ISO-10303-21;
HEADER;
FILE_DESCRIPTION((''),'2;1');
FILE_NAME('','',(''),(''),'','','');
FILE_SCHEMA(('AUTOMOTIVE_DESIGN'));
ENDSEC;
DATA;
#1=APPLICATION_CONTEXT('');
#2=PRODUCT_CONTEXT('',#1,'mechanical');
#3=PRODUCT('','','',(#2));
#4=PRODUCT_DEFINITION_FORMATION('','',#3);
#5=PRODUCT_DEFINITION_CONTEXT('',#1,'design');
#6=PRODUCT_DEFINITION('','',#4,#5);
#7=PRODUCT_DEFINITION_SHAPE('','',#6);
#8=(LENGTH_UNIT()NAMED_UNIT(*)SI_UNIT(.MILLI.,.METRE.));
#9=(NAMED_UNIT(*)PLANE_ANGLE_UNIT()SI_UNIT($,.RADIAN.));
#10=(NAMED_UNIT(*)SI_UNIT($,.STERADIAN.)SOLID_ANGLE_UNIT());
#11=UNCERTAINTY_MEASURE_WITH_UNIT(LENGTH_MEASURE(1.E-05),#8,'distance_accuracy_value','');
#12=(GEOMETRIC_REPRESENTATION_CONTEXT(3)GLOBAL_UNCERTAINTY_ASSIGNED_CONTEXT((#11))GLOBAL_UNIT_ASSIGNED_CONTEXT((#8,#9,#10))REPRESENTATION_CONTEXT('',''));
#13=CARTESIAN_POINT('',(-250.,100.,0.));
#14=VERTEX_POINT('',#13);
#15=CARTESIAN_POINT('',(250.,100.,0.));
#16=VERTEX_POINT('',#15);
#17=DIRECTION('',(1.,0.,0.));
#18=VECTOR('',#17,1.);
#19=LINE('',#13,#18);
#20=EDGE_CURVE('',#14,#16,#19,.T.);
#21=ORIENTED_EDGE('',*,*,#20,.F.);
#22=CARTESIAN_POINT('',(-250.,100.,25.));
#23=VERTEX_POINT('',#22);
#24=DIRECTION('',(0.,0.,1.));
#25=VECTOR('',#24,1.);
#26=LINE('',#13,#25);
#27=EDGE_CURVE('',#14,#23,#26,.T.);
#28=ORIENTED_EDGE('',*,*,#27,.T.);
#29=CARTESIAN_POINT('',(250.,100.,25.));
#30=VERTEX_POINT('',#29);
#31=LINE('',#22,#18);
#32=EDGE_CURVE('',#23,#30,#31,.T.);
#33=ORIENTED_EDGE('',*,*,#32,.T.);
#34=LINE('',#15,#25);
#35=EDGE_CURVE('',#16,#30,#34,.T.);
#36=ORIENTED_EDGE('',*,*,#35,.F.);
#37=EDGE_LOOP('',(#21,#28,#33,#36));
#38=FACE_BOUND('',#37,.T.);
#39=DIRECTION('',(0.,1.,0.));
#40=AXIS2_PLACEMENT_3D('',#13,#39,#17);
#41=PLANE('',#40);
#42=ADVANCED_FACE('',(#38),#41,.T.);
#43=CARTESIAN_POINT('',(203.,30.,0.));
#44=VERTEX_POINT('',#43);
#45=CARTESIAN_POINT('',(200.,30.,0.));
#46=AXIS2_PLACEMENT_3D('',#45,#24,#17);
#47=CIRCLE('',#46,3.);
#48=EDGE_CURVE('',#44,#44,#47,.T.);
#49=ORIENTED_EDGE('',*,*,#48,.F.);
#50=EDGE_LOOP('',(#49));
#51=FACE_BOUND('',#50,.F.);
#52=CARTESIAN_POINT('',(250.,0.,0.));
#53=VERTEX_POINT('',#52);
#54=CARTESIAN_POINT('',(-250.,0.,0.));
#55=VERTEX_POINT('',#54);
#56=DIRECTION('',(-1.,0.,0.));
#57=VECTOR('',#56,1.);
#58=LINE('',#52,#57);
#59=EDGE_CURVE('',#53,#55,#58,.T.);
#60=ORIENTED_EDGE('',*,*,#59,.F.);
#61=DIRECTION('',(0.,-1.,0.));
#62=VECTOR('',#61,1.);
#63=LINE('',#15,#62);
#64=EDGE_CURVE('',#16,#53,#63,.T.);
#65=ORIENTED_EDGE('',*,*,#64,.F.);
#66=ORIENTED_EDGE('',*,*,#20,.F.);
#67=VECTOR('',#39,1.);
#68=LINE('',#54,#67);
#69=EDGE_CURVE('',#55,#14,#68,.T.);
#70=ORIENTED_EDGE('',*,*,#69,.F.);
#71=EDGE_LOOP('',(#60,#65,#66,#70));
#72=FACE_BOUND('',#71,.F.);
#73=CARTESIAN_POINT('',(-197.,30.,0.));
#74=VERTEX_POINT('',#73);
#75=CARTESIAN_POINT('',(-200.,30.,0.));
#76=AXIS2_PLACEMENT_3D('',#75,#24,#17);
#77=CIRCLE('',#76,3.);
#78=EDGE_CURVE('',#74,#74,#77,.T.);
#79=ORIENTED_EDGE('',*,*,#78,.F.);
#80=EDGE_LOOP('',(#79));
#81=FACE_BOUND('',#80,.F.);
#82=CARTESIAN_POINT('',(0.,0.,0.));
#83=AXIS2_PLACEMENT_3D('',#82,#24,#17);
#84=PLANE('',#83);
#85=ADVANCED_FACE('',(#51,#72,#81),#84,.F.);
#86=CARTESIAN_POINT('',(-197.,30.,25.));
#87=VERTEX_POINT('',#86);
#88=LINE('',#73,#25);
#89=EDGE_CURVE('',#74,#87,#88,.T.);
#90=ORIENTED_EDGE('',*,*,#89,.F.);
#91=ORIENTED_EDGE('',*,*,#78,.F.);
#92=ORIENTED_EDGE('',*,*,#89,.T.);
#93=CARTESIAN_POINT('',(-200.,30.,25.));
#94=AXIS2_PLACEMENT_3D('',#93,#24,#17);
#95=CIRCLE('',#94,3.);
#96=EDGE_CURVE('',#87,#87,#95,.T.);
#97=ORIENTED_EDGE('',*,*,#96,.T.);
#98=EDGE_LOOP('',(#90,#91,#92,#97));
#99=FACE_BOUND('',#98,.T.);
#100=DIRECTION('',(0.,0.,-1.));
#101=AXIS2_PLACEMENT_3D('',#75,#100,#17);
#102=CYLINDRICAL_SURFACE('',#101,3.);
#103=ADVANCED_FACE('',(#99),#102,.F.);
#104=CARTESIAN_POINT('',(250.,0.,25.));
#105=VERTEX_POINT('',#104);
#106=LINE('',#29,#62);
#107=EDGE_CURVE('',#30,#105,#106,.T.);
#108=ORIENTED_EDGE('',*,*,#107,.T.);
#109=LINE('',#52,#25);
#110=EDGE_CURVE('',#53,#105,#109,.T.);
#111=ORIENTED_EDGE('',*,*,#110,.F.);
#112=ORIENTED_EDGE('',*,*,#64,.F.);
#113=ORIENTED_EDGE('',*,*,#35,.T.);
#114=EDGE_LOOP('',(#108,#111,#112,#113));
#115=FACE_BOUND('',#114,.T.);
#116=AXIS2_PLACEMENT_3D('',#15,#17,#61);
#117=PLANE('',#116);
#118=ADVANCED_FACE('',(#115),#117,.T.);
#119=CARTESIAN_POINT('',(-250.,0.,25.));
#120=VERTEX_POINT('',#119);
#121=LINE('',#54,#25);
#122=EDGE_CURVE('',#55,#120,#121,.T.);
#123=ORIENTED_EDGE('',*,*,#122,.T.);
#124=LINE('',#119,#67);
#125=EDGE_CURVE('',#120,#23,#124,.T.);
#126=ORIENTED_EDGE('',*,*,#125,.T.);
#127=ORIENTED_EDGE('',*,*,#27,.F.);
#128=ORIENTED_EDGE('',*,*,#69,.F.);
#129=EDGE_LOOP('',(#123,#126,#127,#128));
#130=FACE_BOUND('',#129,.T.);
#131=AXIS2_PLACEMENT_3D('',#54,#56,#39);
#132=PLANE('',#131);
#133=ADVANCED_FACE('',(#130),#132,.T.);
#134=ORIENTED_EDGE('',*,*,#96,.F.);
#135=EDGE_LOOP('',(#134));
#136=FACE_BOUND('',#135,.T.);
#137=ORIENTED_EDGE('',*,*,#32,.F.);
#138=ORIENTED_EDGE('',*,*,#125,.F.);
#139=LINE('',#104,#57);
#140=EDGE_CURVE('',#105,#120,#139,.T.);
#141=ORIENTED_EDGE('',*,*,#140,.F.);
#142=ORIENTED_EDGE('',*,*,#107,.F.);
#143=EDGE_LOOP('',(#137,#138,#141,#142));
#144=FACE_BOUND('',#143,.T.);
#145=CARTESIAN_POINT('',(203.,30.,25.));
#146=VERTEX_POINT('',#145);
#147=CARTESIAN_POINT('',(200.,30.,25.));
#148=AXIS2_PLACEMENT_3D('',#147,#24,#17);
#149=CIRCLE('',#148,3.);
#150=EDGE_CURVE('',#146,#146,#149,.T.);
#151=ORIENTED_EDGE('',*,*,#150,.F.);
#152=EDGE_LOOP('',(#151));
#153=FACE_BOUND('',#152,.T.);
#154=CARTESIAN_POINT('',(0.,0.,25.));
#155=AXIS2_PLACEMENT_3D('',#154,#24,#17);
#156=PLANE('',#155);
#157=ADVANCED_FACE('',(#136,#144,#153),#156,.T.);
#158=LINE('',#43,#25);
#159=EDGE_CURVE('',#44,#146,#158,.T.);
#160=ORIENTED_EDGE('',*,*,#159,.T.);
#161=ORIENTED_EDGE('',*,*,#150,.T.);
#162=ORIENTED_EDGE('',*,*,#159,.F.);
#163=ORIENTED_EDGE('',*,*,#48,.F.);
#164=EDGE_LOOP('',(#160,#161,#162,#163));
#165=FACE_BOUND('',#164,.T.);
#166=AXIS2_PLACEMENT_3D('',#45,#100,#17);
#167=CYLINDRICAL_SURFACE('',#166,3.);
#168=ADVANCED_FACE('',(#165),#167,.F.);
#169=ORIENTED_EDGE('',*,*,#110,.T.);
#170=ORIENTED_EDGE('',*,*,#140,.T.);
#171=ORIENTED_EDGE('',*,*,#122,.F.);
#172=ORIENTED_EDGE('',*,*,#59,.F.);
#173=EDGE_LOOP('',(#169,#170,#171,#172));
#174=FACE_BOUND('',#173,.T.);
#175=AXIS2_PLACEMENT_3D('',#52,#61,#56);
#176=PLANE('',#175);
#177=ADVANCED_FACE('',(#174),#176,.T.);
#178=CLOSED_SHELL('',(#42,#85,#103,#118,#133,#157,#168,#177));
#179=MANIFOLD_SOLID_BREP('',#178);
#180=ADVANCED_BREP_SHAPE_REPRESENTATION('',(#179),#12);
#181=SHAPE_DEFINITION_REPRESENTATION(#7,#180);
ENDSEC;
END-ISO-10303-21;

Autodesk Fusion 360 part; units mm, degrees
sketch "Sketch2" plane through (0, 0, 0) normal (0, 0, 1) x (1, 0, 0)
  line L0 (-250, 100) -> (250, 100)
  line L1 (250, 100) -> (250, 0)
  line L2 (250, 0) -> (-250, 0)
  line L3 (-250, 0) -> (-250, 100)
  line L4 (0, 0) -> (0, 100) construction
  line L5 (50, 100) -> (50, 0) construction
  line L6 (-50, 100) -> (-50, 0) construction
  line L7 (115, 100) -> (115, 0) construction
  line L8 (165, 100) -> (165, 0) construction
  line L9 (-115, 100) -> (-115, 0) construction
  line L10 (-165, 100) -> (-165, 0) construction
  line L11 (200, 100) -> (200, 0) construction
  line L12 (-200, 100) -> (-200, 0) construction
  circle A0 centre (200, 30) radius 3
  circle A1 centre (-200, 30) radius 3
  dimension "d6" = 500
  dimension "d7" = 100
  dimension "d8" = 100
  dimension "d9" = 50
  dimension "d10" = 330
  dimension "d11" = 200
  dimension "d12" = 6
  dimension "d13" = 30
extrude "Extrude1" add sketch "Sketch2" along normal blind 25
